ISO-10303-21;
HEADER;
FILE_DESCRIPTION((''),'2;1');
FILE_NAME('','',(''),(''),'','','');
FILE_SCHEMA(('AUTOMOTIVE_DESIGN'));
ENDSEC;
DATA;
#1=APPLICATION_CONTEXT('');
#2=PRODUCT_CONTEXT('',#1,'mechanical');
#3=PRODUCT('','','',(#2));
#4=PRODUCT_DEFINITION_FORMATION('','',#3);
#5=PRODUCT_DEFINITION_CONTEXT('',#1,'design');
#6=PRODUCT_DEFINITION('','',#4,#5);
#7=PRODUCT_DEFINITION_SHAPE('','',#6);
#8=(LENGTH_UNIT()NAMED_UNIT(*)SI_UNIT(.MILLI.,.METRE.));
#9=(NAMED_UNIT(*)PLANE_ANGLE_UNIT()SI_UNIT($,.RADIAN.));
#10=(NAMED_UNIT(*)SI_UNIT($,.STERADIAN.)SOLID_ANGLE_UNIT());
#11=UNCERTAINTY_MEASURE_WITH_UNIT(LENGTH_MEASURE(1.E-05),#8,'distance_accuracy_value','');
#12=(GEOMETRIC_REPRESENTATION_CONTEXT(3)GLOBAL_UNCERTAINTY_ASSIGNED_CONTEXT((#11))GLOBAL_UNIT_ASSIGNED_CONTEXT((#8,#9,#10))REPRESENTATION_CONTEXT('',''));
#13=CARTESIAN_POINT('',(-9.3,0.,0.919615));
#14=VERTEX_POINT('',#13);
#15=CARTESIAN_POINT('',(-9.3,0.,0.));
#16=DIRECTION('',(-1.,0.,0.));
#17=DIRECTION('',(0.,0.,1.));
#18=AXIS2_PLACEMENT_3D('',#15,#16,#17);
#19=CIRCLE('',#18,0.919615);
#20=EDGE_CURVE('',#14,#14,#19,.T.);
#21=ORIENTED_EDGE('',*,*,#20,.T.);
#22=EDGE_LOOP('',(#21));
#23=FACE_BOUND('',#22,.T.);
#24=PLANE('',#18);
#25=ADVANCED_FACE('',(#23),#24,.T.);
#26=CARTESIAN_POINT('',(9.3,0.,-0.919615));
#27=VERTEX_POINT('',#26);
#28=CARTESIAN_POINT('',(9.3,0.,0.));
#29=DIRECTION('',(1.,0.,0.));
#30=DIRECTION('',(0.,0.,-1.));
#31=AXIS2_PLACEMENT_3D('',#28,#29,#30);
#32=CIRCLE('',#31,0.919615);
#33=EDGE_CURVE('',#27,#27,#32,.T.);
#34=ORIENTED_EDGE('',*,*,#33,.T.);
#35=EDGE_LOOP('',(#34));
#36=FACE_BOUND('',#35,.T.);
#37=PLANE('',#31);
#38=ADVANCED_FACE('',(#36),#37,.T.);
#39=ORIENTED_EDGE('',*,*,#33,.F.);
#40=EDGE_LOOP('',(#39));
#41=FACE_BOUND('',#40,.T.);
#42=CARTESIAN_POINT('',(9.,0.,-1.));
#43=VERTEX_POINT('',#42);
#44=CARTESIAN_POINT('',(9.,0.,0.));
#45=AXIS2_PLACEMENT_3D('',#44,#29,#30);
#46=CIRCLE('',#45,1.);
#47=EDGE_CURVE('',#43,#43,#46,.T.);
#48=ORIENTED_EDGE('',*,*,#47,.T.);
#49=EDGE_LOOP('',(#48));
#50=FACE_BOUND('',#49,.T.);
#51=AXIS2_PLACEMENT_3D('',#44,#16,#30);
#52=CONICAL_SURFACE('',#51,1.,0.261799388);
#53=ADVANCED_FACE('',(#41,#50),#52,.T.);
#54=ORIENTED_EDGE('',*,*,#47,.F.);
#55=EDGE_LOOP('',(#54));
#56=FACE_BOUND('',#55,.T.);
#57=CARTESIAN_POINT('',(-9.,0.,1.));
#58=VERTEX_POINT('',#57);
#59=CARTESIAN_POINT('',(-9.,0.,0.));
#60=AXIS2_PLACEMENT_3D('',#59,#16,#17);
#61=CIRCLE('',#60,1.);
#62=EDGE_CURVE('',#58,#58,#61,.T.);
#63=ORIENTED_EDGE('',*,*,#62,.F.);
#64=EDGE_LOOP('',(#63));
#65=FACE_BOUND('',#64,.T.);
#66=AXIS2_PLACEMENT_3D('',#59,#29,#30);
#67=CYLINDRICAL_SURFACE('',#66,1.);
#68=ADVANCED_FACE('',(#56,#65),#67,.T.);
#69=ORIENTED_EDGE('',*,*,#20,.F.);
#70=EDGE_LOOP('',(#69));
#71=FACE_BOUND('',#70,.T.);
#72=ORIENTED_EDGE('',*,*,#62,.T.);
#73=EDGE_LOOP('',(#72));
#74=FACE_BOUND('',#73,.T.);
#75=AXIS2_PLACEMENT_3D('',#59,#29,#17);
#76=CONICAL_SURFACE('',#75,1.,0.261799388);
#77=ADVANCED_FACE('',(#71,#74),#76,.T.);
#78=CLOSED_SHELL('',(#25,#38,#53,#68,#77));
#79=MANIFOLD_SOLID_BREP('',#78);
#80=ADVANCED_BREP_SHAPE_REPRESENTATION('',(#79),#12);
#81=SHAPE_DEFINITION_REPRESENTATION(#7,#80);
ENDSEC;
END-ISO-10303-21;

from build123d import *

# Parameters (mm, degrees)
EXTRUDE1_DEPTH      = 9
EXTRUDE1_DEPTH_BACK = 9
SKETCH2_R           = 1
SKETCH3_R           = 1
EXTRUDE2_DEPTH      = 0.3
EXTRUDE2_TAPER      = 15
SKETCH4_R           = 1
EXTRUDE3_DEPTH      = 0.3
EXTRUDE3_TAPER      = 15


with BuildPart() as part:
    # Sketch2 → Extrude1 (new, two sides: drawn at the far end of the back side and taken through both)
    with BuildSketch(Plane(origin=(0, 0, 0), x_dir=(0, 0, -1), z_dir=(1, 0, 0)).offset(-EXTRUDE1_DEPTH_BACK)):
        Circle(SKETCH2_R)
    extrude(amount=EXTRUDE1_DEPTH + EXTRUDE1_DEPTH_BACK)

    # Sketch3 → Extrude2 (add)
    with BuildSketch(Plane(origin=(9, 0, 0), x_dir=(0, 0, -1), z_dir=(1, 0, 0))):
        Circle(SKETCH3_R)
    extrude(amount=EXTRUDE2_DEPTH, taper=EXTRUDE2_TAPER)

    # Sketch4 → Extrude3 (add)
    with BuildSketch(Plane.ZY.offset(9)):
        with Locations(Location((0, 0, 0), (0, 0, 180))):
            Circle(SKETCH4_R)
    extrude(amount=EXTRUDE3_DEPTH, taper=EXTRUDE3_TAPER)


solid = part.part
